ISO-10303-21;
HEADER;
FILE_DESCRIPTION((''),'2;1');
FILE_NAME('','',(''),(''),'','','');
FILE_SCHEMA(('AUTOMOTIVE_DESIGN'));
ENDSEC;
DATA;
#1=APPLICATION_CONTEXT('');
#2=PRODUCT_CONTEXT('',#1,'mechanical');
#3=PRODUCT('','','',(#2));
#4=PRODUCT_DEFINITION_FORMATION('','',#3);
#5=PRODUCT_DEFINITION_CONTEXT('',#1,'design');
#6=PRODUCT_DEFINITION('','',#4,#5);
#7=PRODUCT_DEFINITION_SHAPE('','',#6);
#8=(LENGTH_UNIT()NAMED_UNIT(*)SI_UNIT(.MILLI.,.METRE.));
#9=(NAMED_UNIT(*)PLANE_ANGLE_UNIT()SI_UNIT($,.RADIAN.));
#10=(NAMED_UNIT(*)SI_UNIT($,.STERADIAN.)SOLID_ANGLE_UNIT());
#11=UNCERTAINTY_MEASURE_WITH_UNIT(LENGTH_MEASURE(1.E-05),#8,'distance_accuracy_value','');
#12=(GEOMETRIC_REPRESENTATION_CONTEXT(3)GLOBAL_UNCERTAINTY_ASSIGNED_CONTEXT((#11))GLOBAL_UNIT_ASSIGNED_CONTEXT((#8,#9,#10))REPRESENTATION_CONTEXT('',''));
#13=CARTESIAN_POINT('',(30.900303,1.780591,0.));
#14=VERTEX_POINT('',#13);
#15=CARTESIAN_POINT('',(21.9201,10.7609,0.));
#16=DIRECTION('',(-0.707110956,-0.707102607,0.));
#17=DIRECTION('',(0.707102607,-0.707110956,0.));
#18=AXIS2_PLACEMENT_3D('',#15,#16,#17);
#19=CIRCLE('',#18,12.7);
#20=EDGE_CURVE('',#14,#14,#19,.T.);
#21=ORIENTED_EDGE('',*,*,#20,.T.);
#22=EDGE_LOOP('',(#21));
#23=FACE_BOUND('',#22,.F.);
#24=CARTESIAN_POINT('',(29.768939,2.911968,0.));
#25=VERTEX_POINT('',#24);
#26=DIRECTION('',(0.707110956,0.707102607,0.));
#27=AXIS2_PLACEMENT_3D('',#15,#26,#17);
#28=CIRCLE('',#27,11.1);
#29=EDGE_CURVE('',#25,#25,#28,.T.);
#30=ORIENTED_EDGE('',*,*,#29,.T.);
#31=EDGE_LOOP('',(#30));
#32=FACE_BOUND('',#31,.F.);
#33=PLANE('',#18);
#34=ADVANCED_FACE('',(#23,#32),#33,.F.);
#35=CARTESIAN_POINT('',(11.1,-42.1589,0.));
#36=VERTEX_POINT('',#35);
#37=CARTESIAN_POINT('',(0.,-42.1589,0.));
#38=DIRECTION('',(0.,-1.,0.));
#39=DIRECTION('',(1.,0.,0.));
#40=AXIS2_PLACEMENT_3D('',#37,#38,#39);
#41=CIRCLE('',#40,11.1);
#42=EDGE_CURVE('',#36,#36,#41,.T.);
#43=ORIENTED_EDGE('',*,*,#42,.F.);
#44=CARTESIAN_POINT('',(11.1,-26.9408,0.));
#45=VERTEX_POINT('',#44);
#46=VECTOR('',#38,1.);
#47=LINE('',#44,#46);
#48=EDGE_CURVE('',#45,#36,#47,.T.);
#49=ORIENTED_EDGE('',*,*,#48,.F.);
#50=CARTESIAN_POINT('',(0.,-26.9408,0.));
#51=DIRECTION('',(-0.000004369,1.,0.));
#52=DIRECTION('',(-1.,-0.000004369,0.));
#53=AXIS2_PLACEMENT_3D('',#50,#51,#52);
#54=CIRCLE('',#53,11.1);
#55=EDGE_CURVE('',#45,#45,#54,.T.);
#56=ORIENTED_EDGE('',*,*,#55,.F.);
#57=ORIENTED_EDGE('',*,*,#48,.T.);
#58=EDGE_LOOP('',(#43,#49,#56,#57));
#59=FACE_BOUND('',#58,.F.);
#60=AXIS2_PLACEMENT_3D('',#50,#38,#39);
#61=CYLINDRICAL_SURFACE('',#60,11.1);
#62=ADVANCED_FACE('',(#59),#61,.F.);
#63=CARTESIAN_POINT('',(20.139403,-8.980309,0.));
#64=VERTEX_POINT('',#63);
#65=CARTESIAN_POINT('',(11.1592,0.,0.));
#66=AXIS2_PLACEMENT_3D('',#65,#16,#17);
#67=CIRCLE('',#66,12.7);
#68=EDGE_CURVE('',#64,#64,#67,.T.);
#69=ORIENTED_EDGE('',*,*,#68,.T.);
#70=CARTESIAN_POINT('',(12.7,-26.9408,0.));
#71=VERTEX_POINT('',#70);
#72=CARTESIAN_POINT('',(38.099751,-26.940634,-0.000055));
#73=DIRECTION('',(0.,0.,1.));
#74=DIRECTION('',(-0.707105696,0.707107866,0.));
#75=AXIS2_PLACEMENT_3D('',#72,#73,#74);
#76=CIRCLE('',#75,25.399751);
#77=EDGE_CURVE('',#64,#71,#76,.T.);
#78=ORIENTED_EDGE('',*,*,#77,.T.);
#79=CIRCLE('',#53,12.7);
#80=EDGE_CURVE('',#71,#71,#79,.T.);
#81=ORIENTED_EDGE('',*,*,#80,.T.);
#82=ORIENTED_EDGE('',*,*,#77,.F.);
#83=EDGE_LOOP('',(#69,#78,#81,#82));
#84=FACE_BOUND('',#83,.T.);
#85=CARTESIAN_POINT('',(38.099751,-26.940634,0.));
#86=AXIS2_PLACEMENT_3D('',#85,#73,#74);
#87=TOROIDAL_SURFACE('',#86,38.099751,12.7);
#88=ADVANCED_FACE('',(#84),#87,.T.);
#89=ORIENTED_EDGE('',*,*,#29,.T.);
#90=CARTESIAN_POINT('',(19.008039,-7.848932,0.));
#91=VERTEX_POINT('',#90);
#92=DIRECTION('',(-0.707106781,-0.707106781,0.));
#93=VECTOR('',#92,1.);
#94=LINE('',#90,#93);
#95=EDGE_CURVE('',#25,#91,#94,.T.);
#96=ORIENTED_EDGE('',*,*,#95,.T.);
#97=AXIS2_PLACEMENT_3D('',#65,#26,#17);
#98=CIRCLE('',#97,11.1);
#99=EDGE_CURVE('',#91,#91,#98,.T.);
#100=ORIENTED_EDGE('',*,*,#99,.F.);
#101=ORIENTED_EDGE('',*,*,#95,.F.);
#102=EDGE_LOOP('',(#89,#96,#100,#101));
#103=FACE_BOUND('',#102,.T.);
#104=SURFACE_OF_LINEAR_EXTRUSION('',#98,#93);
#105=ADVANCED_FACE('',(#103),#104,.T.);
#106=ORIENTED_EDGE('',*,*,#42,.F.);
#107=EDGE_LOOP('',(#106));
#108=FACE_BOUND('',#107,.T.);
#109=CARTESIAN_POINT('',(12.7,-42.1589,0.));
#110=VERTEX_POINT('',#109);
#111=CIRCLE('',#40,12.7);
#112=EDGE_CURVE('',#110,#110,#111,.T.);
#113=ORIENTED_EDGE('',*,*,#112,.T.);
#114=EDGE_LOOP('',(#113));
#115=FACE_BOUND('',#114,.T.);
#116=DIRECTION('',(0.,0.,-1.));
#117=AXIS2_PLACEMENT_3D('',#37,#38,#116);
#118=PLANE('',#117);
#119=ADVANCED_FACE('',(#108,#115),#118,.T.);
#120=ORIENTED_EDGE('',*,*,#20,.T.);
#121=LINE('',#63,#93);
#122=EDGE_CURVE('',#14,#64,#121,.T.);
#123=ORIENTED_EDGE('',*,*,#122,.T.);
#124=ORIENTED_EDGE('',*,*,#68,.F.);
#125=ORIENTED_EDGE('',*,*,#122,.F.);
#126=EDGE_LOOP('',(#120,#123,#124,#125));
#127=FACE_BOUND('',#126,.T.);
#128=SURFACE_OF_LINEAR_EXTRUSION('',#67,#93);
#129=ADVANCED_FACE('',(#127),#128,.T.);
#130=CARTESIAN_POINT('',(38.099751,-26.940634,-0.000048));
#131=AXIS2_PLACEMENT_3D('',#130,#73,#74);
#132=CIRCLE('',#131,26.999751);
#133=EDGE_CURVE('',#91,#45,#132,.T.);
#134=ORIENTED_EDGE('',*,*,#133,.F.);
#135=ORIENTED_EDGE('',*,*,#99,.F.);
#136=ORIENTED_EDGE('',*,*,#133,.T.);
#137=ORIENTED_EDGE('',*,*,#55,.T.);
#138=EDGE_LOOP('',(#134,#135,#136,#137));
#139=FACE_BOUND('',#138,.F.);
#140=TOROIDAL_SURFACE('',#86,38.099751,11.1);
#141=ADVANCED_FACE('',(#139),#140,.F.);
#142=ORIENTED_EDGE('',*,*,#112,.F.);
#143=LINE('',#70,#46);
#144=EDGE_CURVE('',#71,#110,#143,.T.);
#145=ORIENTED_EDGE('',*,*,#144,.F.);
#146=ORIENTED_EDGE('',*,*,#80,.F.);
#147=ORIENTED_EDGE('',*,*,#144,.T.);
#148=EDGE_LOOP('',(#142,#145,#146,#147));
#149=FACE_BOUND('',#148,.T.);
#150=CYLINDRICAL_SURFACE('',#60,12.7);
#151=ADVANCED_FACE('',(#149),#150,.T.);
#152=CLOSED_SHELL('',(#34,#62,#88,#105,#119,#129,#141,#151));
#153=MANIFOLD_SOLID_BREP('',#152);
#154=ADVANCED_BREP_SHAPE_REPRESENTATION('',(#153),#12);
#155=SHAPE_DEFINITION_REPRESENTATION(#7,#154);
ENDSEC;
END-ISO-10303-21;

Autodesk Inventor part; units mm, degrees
ref_plane "YZ Plane" through (0, 0, 0) normal (1, 0, 0) x (0, 1, 0)
ref_plane "XZ Plane" through (0, 0, 0) normal (0, 1, 0) x (-1, 0, 0)
sketch "Szkic6" plane through (0, 0, 0) normal (0, 0, 1) x (1, 0, 0)
  line L0 (-29.6067, 0) -> (35.2678, 0) construction
  line L1 (0, 42.3419) -> (0, -58.3726) construction
  arc A0 (11.1592, 0) -> (0, -26.9408) centre (38.1, -26.9408) ccw
  line L2 (0, -26.9408) -> (38.1, -26.9408) construction
  line L3 (38.1, -26.9408) -> (-8.2389, 19.3981) construction
  line L4 (11.1592, 0) -> (21.9201, 10.7609)
  line L5 (0, -26.9408) -> (0, -42.1589)
  point P0 (0, 0)
  dimension "d24" = 38.1
  dimension "d31" = 45
  dimension "d36" = 15.2182
  dimension "d37" = 15.2182
ref_plane "Płaszczyzna konstrukcyjna2" through (0, -26.9408, 0) normal (0, -1, 0) x (1, 0, 0)
sketch "Szkic8" plane through (0, -26.9408, 0) normal (0, -1, 0) x (1, 0, 0)
  circle A0 centre (0, 0) radius 12.7
  circle A1 centre (0, 0) radius 11.1
  dimension "d32" = 25.4
  dimension "d33" = 1.6
sweep "Przeciągnięcie2" add profiles "Szkic8" path "Szkic6"
equation "\"d32\" = OD"
equation "\"d33\" = THK"
equation "\"d24\" = R"
equation "\"d31\" = KAT"
equation "\"d36\" = PROSTKA"
equation "\"d37\" = PROSTKA"
equation "\"SzerokośćGięciaPodcięcia\" = Grubość"
equation "\"RozmiarPodcięciaNarożnika\" = 4 * Grubość"
equation "\"PromieńPrzejścia\" = PromieńGięcia"
equation "\"Rozmiar_promienia_Jacobiego\" = PromieńGięcia"
equation "\"Wielk_odstępu\" = Grubość"
equation "\"d2\" = PromieńGięcia"
equation "\"d23\" = PromieńGięcia"
equation "\"R\" = 38.1"
equation "\"OD\" = 25.4"
equation "\"THK\" = 1.6"
equation "\"KAT\" = 45deg"
equation "\"PROSTKA\" = 15.21817"
equation "\"Grubość\" = 1.5"
equation "\"PromieńGięcia\" = 3"
properties part number "Kolano 45° ø25,4x1,6 R38,1" material "304L"
